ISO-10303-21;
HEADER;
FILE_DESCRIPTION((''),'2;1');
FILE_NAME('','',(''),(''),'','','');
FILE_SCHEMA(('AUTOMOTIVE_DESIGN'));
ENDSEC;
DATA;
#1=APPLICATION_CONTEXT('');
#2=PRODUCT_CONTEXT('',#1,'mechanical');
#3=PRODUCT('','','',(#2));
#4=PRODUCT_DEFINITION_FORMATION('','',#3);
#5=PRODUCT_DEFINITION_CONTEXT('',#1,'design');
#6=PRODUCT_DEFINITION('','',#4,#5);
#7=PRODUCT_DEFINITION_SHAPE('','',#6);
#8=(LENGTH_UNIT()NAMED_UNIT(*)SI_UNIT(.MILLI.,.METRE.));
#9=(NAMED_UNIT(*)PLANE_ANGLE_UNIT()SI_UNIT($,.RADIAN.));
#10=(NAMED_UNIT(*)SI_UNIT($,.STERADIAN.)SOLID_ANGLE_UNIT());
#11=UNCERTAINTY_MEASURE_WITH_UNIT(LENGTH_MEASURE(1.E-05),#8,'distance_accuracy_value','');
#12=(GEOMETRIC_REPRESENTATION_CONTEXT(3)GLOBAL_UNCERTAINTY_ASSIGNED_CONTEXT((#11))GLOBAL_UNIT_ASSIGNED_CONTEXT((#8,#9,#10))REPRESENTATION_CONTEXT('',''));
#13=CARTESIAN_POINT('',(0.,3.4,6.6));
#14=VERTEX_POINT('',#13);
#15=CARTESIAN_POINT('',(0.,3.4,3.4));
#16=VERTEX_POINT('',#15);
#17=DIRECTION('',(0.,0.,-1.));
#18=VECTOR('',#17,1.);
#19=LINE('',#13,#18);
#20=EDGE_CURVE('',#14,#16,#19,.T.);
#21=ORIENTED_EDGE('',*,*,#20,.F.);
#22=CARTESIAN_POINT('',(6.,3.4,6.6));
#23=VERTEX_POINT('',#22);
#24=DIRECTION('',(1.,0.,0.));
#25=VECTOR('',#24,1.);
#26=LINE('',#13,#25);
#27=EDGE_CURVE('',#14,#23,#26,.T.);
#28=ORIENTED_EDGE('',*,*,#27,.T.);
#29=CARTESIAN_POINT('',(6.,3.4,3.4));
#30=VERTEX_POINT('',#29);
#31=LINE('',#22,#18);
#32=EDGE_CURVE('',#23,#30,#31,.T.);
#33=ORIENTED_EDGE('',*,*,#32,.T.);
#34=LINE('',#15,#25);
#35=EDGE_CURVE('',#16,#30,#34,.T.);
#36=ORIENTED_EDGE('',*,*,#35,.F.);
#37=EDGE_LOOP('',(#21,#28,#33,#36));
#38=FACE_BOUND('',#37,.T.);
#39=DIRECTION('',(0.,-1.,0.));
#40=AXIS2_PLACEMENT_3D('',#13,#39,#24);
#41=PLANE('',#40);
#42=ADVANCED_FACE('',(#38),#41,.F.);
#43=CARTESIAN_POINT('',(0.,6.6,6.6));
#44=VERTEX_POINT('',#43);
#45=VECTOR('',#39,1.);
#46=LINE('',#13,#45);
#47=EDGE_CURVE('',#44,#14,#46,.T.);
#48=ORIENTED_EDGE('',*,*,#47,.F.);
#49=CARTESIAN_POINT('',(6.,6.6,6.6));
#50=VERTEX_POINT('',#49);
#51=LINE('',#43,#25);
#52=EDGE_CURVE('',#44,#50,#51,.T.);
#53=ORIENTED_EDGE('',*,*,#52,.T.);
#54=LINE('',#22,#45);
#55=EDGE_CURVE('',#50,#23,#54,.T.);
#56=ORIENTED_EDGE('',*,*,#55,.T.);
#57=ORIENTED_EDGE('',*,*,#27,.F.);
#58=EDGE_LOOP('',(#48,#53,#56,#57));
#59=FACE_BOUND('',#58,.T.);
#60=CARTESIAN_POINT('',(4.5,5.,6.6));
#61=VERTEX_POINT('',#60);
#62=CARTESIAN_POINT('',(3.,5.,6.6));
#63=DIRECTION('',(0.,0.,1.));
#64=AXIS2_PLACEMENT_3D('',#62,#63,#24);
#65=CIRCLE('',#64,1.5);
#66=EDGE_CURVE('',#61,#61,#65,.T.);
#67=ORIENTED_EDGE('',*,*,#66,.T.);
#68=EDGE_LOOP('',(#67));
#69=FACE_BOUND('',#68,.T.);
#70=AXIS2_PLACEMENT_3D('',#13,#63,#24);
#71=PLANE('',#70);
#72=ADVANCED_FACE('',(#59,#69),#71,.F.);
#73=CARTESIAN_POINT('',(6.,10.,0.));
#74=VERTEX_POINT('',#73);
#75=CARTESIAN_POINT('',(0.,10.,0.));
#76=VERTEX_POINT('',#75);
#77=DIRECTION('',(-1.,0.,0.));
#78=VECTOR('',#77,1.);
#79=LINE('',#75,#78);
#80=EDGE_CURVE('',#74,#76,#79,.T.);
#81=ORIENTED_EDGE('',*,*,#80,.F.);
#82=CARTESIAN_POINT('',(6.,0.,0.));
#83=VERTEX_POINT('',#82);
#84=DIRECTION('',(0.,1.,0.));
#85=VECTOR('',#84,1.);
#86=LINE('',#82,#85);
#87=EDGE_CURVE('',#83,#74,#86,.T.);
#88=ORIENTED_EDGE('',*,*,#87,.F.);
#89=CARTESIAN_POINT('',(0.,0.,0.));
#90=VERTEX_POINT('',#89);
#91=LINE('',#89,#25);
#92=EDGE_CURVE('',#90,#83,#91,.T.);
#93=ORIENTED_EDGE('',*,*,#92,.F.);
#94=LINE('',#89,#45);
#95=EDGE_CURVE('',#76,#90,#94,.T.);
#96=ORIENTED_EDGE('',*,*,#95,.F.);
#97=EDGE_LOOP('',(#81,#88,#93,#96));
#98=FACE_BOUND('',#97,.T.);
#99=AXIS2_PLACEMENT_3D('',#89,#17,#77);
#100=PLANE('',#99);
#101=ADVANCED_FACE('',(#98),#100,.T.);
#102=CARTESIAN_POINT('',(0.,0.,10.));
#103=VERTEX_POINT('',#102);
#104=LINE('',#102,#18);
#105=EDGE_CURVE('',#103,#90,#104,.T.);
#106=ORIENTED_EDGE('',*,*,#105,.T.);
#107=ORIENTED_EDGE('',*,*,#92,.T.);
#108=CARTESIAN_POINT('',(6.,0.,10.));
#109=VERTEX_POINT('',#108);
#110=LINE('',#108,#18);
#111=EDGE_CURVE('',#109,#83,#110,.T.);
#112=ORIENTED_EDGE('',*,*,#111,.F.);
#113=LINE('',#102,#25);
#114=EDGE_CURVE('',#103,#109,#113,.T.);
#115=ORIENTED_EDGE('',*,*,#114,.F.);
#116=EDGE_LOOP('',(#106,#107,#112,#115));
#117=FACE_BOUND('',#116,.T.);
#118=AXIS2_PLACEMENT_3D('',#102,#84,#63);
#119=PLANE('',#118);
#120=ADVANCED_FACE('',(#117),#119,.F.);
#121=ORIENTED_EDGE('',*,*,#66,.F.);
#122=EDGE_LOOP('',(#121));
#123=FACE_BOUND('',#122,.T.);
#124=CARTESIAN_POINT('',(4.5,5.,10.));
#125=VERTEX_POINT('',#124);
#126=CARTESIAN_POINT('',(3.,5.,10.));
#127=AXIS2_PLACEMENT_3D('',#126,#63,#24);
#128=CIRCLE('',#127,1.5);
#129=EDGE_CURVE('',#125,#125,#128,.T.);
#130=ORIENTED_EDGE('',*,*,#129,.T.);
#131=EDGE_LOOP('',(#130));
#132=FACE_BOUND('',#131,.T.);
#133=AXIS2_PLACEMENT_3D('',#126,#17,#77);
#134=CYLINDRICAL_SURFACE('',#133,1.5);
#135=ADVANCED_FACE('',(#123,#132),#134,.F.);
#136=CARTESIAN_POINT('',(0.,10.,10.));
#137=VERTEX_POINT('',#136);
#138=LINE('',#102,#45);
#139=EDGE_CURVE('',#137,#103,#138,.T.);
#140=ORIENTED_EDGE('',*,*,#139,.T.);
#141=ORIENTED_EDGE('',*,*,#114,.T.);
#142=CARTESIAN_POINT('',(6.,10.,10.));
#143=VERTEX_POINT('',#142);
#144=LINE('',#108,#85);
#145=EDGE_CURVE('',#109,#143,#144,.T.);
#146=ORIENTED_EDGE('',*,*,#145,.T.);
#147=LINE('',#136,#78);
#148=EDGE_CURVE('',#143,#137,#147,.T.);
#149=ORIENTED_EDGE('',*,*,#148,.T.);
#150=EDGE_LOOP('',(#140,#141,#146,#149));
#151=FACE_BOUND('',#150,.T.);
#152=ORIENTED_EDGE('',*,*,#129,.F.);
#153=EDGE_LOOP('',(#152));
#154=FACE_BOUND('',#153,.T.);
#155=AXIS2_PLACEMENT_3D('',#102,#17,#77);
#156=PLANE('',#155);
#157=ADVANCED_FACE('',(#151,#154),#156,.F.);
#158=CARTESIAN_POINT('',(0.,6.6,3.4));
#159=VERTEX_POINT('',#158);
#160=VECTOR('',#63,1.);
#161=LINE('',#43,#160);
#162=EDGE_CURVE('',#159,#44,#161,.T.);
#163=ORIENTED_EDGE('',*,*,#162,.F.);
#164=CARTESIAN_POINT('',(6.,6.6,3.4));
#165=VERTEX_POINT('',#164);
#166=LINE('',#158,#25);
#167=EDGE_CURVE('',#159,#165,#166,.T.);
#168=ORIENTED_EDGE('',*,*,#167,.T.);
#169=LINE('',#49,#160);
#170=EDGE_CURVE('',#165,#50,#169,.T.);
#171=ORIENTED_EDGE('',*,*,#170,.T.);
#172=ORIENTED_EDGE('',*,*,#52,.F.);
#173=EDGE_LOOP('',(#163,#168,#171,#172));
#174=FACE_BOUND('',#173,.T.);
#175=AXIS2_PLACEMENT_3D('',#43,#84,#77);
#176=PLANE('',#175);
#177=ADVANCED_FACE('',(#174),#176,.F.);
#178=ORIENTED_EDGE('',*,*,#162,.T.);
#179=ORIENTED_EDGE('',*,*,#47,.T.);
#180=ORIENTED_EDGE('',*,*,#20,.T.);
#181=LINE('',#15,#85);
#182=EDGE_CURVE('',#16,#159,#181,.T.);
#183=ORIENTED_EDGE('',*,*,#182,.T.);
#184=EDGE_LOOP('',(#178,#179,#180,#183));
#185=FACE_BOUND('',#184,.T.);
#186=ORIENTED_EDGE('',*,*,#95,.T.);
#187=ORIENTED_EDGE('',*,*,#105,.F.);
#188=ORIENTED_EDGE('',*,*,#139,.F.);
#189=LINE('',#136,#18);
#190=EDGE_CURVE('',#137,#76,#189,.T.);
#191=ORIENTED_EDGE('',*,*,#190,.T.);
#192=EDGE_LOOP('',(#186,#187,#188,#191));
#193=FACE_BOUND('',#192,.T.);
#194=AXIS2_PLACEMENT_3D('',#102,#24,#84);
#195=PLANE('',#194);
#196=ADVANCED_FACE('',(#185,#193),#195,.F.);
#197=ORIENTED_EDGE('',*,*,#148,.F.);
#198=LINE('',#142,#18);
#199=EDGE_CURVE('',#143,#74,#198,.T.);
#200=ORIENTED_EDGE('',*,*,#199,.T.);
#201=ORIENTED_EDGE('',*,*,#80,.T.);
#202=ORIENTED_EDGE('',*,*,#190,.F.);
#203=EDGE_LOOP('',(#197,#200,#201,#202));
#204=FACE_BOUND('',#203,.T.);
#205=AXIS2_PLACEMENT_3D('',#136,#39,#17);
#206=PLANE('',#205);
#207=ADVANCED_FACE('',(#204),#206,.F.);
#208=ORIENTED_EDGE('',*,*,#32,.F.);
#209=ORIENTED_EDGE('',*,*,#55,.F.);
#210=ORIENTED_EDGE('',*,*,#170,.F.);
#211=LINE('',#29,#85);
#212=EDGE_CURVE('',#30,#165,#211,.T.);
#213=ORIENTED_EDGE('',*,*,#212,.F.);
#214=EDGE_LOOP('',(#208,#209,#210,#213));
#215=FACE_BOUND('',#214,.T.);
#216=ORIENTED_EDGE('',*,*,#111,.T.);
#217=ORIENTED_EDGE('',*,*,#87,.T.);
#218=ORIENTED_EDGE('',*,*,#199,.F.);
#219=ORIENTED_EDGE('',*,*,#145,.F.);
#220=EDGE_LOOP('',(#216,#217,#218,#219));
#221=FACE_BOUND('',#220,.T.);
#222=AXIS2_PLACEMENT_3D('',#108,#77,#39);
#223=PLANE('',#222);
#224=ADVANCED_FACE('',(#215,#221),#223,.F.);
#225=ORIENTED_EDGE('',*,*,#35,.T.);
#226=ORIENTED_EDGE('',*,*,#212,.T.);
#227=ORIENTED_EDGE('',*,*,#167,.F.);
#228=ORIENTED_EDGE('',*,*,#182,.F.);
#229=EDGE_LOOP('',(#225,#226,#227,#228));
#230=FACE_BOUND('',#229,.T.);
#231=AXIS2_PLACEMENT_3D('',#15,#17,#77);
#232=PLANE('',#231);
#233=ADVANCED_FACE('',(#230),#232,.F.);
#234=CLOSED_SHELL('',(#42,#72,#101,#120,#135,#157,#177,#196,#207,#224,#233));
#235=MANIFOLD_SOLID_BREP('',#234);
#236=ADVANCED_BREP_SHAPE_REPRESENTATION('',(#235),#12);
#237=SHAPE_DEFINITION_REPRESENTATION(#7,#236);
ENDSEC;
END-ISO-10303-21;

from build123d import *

# Parameters (mm, degrees)
SKETCH1_W           = 6
SKETCH1_H           = 10
SKETCH1_R           = 1.5
BOSS_EXTRUDE1_DEPTH = 10
SKETCH2_W           = 3.2
SKETCH2_H           = 3.2
CUT_EXTRUDE1_DEPTH  = 16.362291496
SKETCH1_3_R         = 1.5
BOSS_EXTRUDE2_DEPTH = 3.4


with BuildPart() as part:
    # Sketch1 → Boss-Extrude1 (new body)
    with BuildSketch(Plane.XY):
        with Locations((3, 5)):
            Rectangle(SKETCH1_W, SKETCH1_H)
        with Locations((3, 5)):
            Circle(SKETCH1_R, mode=Mode.SUBTRACT)
    extrude(amount=BOSS_EXTRUDE1_DEPTH)

    # Sketch2 → Cut-Extrude1 (cut, through all)
    with BuildSketch(Plane(origin=(6, 0, 0), x_dir=(0, 0, -1), z_dir=(1, 0, 0))):
        with Locations((-5, 5)):
            Rectangle(SKETCH2_W, SKETCH2_H)
    extrude(amount=-CUT_EXTRUDE1_DEPTH, mode=Mode.SUBTRACT)

    # Sketch1<3> → Boss-Extrude2 (add)
    with BuildSketch(Plane.XY):
        with Locations((3, 5)):
            Circle(SKETCH1_3_R)
        Polygon((0, 10), (6, 0), (0, 0), align=None)
        Polygon((0, 10), (6, 10), (6, 0), align=None)
    extrude(amount=BOSS_EXTRUDE2_DEPTH)


solid = part.part
